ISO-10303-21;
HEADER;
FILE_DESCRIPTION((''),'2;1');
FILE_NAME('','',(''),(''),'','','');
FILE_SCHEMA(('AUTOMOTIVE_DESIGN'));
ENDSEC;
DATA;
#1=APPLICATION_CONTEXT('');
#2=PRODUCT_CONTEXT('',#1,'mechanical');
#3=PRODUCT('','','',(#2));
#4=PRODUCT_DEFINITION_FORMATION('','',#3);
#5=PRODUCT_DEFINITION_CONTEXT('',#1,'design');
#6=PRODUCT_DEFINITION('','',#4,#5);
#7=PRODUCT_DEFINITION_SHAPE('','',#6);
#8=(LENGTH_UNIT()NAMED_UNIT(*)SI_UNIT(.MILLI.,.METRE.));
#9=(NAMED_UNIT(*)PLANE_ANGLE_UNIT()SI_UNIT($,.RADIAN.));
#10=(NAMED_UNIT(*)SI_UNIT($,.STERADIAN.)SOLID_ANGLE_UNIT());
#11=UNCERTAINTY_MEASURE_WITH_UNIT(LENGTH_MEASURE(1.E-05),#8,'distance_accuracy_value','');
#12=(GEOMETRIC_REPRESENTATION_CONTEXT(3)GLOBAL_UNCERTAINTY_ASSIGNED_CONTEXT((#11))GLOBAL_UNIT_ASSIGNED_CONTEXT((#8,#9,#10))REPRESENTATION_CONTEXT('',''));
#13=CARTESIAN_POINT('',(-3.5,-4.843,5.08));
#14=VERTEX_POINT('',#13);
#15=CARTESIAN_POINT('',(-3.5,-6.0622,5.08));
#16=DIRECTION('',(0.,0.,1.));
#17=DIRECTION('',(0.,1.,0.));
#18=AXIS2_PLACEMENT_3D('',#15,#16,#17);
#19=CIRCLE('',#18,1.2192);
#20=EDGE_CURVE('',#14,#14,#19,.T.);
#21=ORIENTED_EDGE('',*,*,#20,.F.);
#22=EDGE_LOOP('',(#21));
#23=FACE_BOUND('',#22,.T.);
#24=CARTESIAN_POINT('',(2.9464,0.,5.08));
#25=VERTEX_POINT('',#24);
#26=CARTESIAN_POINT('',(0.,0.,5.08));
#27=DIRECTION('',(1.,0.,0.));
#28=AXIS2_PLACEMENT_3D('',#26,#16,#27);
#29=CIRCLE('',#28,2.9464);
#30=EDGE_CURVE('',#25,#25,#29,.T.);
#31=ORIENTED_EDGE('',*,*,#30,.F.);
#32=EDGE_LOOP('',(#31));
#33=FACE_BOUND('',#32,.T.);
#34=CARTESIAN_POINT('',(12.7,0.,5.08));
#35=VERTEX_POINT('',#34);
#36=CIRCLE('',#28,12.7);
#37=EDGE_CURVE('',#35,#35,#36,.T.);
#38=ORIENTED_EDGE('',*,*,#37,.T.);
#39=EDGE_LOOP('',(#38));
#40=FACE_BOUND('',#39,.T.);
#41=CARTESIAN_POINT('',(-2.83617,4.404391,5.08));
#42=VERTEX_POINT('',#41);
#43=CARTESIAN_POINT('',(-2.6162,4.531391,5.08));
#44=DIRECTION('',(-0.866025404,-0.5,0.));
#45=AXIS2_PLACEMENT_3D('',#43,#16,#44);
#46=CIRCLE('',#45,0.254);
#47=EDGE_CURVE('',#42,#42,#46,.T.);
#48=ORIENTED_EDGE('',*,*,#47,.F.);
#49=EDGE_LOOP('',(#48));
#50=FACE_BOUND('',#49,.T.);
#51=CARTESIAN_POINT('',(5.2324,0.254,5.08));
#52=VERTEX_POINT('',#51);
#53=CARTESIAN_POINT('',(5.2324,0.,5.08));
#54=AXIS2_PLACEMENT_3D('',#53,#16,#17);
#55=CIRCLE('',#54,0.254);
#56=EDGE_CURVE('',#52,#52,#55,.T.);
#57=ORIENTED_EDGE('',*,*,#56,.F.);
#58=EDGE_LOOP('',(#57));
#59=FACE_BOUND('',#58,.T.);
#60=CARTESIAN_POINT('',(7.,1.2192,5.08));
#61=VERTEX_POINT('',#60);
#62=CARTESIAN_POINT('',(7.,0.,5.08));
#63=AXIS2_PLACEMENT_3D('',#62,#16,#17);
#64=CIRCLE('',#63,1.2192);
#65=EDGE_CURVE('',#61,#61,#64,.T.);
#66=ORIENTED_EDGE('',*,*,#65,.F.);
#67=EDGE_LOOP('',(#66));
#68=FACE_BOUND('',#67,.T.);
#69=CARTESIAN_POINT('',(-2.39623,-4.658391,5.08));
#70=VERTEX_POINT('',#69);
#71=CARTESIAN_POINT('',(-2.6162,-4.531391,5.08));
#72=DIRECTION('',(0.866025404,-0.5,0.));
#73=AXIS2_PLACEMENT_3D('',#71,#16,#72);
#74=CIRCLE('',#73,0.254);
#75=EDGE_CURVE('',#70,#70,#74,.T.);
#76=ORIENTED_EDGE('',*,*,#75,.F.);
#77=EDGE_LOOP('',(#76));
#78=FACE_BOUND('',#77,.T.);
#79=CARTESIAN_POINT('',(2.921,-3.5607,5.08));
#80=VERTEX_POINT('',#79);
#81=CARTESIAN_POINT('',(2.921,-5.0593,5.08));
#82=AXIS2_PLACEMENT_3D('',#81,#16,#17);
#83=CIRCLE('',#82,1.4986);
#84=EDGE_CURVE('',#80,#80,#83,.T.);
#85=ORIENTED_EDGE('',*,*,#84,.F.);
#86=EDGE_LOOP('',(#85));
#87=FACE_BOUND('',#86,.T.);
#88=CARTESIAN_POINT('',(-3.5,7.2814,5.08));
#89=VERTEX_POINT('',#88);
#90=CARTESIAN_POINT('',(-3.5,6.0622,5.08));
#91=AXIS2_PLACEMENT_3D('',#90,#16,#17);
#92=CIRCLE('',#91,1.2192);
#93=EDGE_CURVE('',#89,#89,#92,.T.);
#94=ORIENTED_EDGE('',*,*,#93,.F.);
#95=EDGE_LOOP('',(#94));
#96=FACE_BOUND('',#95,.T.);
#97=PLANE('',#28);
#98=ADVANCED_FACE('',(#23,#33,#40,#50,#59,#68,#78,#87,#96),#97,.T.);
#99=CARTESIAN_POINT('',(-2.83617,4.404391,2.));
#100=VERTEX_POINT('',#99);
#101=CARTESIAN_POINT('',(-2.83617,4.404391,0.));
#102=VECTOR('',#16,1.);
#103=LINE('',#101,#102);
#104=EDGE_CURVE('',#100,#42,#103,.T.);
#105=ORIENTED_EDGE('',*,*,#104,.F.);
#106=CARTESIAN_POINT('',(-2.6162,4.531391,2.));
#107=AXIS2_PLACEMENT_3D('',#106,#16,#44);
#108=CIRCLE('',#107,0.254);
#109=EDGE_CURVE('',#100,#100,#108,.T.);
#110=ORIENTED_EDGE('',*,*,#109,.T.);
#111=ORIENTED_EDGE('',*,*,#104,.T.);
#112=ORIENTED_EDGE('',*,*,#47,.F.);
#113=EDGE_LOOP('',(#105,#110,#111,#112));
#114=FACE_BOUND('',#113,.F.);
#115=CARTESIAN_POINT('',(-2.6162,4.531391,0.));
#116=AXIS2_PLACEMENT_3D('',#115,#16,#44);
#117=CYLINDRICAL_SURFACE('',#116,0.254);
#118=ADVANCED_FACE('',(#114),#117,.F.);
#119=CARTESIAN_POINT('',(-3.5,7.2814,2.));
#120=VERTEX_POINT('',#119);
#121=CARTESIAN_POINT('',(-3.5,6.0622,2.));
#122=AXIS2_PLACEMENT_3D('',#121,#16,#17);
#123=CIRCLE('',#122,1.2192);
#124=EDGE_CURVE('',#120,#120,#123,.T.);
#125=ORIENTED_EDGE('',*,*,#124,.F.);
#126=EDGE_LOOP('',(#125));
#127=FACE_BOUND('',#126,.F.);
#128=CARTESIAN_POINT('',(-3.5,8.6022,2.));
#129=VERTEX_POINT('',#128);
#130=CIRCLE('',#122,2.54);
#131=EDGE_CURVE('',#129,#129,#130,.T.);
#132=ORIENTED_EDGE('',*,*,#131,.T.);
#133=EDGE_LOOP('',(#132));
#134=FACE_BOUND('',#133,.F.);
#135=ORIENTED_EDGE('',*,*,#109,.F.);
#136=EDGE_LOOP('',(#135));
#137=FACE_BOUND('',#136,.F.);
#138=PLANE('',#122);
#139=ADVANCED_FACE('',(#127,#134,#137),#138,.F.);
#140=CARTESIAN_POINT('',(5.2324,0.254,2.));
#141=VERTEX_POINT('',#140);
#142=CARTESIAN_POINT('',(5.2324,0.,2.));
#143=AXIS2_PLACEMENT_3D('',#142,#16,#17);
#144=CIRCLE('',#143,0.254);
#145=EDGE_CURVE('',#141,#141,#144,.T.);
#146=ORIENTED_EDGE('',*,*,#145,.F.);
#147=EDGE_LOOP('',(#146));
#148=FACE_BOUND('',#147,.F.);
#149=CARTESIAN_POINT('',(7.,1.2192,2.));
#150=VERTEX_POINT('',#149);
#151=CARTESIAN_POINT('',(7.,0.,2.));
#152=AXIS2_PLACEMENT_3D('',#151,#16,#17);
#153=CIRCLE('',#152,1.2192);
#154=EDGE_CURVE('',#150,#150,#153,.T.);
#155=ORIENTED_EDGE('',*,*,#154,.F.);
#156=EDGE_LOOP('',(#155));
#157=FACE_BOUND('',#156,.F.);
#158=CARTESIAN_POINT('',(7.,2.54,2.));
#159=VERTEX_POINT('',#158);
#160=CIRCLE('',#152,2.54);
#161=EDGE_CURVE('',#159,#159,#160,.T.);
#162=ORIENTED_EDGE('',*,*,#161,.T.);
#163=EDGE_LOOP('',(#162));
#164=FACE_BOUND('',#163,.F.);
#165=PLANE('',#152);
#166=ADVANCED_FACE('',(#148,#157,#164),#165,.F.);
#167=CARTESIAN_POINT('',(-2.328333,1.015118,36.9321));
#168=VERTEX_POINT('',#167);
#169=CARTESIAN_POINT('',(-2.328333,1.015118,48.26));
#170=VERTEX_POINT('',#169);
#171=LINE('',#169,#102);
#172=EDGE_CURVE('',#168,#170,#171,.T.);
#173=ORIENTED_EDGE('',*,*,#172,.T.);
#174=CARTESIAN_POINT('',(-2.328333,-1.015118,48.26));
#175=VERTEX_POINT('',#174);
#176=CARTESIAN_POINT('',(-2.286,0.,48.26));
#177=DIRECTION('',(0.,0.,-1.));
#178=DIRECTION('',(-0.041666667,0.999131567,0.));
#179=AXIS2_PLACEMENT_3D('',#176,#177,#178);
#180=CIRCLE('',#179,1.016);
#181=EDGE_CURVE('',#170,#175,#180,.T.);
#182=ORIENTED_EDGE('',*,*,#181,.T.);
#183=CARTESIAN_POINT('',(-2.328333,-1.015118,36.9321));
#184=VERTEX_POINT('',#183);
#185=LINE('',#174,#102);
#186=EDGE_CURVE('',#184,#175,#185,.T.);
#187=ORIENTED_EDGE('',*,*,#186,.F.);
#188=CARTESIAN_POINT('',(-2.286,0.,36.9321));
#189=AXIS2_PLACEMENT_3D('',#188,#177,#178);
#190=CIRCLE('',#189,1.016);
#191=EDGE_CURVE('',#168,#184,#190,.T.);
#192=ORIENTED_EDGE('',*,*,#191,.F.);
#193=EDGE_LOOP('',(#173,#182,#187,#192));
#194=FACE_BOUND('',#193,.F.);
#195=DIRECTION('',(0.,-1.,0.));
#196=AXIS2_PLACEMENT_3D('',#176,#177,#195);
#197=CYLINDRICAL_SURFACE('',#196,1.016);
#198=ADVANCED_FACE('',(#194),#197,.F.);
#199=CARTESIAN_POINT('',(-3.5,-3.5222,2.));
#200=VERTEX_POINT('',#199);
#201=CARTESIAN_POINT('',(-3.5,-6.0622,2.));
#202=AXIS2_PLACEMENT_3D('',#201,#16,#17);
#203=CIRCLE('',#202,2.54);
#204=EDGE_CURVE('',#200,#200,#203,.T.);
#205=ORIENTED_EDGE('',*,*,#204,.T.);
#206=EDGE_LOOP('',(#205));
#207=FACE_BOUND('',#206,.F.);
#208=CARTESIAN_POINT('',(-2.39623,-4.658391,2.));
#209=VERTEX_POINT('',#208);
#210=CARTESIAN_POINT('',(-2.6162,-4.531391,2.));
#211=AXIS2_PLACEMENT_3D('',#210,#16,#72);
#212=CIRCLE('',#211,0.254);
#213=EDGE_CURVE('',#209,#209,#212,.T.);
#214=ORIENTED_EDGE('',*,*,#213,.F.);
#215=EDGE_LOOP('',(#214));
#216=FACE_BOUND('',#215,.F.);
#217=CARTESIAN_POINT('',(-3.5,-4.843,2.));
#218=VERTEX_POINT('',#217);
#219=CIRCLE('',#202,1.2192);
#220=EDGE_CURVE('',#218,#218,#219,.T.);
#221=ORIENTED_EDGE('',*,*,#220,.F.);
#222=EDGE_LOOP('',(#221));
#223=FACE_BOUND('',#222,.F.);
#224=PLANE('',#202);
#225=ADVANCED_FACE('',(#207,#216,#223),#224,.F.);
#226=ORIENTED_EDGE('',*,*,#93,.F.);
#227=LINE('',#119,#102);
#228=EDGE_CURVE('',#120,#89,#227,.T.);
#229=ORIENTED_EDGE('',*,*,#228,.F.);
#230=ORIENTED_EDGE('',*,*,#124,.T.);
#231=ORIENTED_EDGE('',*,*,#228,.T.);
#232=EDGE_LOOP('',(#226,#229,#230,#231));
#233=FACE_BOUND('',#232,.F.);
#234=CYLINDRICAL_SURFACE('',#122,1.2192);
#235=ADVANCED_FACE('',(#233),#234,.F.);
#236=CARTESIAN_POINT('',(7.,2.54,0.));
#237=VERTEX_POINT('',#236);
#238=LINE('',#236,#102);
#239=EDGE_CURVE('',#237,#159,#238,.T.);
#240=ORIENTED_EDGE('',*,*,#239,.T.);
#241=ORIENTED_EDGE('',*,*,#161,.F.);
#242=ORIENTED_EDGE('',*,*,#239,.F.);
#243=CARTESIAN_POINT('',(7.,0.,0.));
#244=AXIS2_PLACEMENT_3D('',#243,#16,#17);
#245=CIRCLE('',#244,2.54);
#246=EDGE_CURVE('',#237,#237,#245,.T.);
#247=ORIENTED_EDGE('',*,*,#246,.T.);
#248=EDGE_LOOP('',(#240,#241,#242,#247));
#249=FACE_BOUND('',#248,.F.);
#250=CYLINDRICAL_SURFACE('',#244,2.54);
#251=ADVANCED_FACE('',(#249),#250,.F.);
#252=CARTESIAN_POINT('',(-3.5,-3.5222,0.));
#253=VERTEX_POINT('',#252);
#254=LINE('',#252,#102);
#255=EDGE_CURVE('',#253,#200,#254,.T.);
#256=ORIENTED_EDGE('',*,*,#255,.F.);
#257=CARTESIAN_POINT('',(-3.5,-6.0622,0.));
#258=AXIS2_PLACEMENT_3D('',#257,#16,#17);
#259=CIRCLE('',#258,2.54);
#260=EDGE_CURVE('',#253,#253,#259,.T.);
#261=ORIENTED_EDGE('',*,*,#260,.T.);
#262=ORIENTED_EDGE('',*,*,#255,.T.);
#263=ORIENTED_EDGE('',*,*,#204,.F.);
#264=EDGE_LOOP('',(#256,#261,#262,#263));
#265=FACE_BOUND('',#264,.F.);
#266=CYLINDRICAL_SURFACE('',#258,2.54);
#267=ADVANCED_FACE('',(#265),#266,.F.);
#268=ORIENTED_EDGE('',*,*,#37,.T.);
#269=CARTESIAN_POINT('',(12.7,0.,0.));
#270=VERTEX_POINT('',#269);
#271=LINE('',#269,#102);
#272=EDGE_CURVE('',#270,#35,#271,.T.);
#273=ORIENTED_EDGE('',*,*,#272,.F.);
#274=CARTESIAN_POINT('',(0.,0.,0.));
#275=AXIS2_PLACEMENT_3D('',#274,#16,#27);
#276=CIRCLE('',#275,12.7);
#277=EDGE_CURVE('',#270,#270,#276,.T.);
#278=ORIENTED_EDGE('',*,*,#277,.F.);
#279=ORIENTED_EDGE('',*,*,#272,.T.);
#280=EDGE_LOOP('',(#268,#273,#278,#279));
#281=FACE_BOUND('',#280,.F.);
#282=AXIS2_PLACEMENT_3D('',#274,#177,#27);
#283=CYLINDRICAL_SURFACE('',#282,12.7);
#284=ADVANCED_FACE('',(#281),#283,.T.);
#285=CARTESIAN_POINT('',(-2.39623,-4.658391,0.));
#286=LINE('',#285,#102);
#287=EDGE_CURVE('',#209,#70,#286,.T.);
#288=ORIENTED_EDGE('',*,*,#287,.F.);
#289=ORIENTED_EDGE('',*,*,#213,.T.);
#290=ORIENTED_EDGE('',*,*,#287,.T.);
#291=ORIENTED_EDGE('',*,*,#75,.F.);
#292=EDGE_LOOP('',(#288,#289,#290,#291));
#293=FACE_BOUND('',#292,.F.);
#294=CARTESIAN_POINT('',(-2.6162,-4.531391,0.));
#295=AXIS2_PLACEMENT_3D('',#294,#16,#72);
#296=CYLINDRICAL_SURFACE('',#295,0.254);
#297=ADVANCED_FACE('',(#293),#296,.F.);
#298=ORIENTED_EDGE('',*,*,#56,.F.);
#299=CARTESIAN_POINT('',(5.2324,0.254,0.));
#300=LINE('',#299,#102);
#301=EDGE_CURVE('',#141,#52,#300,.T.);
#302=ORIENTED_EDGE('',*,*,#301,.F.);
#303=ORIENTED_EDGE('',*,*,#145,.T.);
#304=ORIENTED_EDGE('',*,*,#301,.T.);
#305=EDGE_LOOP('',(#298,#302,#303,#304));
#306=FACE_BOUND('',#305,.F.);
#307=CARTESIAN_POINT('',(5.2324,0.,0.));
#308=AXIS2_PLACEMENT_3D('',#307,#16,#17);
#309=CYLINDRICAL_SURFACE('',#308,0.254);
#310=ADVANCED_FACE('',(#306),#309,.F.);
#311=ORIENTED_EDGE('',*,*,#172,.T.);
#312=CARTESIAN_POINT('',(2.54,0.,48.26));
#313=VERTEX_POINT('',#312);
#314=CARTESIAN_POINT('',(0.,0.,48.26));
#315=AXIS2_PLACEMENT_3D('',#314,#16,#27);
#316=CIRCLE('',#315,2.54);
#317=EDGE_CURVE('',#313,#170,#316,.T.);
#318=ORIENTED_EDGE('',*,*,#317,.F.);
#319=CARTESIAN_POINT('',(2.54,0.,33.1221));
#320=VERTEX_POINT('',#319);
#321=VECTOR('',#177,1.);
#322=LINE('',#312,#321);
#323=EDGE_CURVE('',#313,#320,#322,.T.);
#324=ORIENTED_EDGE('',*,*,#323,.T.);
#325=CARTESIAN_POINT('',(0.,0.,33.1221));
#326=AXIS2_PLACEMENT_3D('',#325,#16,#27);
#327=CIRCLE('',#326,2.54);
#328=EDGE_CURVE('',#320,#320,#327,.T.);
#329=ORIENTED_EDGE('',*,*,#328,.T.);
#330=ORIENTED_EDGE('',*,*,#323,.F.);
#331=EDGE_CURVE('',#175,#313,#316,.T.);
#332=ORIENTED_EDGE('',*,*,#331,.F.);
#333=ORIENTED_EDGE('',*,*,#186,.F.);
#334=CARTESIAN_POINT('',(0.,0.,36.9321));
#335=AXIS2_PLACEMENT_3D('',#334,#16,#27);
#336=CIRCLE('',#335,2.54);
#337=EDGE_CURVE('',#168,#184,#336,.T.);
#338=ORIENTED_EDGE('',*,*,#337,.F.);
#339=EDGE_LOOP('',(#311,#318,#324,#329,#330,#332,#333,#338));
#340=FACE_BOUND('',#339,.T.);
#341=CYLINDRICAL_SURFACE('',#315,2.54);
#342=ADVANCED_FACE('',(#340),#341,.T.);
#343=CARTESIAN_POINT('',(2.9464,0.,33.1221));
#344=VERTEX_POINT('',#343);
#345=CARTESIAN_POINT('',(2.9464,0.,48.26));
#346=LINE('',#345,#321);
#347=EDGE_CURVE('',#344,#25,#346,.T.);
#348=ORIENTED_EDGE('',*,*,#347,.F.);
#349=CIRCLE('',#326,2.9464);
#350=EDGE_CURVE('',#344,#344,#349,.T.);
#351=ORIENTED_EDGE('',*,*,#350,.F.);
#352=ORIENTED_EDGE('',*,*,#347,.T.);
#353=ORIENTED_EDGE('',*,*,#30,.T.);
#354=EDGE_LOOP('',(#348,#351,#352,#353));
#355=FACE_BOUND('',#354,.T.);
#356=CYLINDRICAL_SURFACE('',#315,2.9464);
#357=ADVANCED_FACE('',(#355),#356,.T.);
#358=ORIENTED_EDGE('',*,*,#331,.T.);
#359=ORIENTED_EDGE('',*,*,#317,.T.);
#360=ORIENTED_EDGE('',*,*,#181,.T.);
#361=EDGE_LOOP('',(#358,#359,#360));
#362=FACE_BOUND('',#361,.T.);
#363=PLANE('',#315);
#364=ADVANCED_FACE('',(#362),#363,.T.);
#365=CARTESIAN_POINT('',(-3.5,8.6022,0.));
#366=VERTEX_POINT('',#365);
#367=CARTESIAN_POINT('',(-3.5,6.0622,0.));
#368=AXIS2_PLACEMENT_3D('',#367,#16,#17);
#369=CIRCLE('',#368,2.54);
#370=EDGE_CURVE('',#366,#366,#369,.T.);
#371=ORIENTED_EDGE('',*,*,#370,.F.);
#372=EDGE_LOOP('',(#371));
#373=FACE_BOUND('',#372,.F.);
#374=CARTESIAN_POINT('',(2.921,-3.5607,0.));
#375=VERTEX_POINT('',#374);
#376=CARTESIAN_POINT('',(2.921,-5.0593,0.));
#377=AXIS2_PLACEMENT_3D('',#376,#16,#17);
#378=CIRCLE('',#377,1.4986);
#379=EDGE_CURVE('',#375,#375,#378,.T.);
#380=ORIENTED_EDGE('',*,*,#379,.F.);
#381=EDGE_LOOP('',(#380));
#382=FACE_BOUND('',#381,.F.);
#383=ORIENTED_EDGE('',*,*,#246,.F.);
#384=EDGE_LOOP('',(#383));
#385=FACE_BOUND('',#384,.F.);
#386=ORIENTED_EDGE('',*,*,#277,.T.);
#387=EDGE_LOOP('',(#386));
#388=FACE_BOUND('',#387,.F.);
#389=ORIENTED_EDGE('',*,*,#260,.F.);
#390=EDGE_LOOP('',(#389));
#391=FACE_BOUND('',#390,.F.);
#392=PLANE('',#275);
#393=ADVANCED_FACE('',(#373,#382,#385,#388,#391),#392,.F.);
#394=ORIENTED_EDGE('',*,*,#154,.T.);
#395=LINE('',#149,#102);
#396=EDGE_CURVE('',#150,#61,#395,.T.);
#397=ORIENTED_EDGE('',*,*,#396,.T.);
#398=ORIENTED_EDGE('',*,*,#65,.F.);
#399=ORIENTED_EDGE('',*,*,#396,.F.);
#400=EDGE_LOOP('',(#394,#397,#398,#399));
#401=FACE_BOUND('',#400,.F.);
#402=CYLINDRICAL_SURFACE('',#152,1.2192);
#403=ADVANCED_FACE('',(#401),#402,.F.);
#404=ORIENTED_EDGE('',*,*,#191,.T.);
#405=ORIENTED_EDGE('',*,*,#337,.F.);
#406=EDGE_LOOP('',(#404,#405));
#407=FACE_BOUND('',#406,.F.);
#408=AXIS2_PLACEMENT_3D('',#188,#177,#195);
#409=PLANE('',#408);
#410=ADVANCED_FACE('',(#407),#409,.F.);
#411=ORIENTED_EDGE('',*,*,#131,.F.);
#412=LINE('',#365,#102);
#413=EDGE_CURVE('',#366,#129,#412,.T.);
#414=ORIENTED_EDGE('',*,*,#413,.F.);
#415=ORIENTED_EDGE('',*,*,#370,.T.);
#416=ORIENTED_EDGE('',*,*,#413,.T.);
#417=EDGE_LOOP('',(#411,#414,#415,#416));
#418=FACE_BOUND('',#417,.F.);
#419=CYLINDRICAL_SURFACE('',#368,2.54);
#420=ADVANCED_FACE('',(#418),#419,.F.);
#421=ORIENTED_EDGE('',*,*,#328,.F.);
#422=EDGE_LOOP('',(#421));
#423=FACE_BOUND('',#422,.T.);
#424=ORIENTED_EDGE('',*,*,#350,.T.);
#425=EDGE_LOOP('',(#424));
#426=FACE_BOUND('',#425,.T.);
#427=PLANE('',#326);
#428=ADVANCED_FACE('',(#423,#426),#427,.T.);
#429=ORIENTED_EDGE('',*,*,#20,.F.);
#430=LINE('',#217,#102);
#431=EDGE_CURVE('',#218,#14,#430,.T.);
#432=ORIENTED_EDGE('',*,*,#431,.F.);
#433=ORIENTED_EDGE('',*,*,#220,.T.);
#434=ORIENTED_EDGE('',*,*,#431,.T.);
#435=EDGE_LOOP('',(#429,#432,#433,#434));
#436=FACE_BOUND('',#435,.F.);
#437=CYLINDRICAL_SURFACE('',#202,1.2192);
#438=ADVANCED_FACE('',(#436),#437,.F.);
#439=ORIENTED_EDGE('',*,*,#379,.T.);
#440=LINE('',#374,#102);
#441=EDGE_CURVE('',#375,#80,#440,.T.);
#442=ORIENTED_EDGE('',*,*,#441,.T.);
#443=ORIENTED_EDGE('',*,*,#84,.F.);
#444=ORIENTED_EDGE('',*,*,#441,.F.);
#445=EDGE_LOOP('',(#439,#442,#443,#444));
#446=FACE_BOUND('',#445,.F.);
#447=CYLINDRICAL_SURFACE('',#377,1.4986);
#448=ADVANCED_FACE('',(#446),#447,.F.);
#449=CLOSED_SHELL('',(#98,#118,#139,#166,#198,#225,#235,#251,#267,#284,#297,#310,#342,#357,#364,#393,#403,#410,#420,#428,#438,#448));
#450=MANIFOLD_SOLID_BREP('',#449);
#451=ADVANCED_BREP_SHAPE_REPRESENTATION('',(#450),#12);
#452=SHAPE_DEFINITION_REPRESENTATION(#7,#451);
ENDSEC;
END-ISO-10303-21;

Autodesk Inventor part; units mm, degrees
ref_plane "YZ Plane" through (0, 0, 0) normal (1, 0, 0) x (0, 1, 0)
ref_plane "XZ Plane" through (0, 0, 0) normal (0, 1, 0) x (-1, 0, 0)
ref_plane "XY Plane" through (0, 0, 0) normal (0, 0, 1) x (1, 0, 0)
sketch "Sketch1" plane through (0, 0, 0) normal (0, 0, 1) x (1, 0, 0)
  circle A0 centre (0, 0) radius 12.7
  dimension "d0" = 25.4
extrude "Extrusion1" add sketch "Sketch1" along normal blind 48.26
sketch "Sketch2" plane through (0, 0, 48.26) normal (0, 0, 1) x (1, 0, 0)
  circle A0 centre (0, 0) radius 12.7 projected
  circle A1 centre (0, 0) radius 2.9464
  dimension "d3" = 5.8928
extrude "Extrusion2" cut sketch "Sketch2" against normal blind 43.18
sketch "Sketch3" plane through (0, 0, 0) normal (0, 0, -1) x (-1, 0, 0)
  circle A0 centre (-7, 0) radius 0.847
  circle A1 centre (3.5, 6.0622) radius 0.847
  arc A2 (5.3333, -1.3437) -> (5.3333, 1.3437) centre (6, 0) ccw
  circle A3 centre (3.5, -6.0622) radius 0.847
  circle A4 centre (6, 0) radius 1.5
hole "Hole1" at (7, 0, 0) at (-3.5, -6.0622, 0) at (-3.5, 6.0622, 0) direction (0, 0, 1) diameter 2.4384 end through all counterbore diameter 5.08 counterbore depth 2 clearance for "Flat Head Machine Screw (82)" size "#2" standard "Ansi Unified Screw Threads"
sketch "Sketch4" plane through (0, 0, 0) normal (0, 0, -1) x (-1, 0, 0)
  circle A0 centre (0, 0) radius 12.7 projected
  line L0 (0, 0) -> (-2.921, -5.0593)
  line L1 (0, -17.78) -> (0, 17.78) projected
  line L2 (17.78, 0) -> (-17.78, 0) projected
  dimension "d37" = 60
  dimension "d38" = 5.842
hole "Hole2" at (2.921, -5.0593, 0) direction (0, 0, 1) diameter 2.9972 end through all
sketch "Sketch5" plane through (0, 0, 5.08) normal (0, 0, 1) x (1, 0, 0)
  circle A0 centre (-3.5, 6.0622) radius 1.2192 projected
  circle A1 centre (-3.5, -6.0622) radius 1.2192 projected
  circle A2 centre (7, 0) radius 1.2192 projected
  circle A3 centre (0, 0) radius 2.9464 projected
  circle A4 centre (0, 0) radius 12.7 projected
  circle A5 centre (2.921, -5.0593) radius 1.4986 projected
ref_plane "Top Ref" through (0, 0, 37.4401) normal (0, 0, 1) x (1, 0, 0)
ref_plane "Bottom Ref" through (0, 0, 15.08) normal (0, 0, 1) x (1, 0, 0)
ref_plane "Work Plane4" through (0, 0, 33.6301) normal (0, 0, 1) x (1, 0, 0)
ref_plane "Work Plane5" through (0, 0, 33.1221) normal (0, 0, 1) x (1, 0, 0)
ref_plane "Work Plane6" through (0, 0, 36.9321) normal (0, 0, 1) x (1, 0, 0)
sketch "Sketch6" plane through (0, 0, 48.26) normal (0, 0, 1) x (1, 0, 0)
  circle A0 centre (0, 0) radius 2.9464 projected
  circle A1 centre (0, 0) radius 2.54
  dimension "d25" = 5.08
extrude "Extrusion3" cut sketch "Sketch6" against normal up to surface (15.1379 mm away)
sketch "Sketch7" plane through (0, 0, 48.26) normal (0, 0, 1) x (1, 0, 0)
  circle A0 centre (0, 0) radius 2.54 projected
  circle A1 centre (-2.286, 0) radius 1.016
  dimension "d28" = 2.032
  dimension "d29" = 2.286
hole "Hole3" at (-2.286, 0, 48.26) direction (0, 0, -1) diameter 2.032 depth 11.3279
sketch "Sketch8" plane through (0, 0, 0) normal (0, 0, -1) x (-1, 0, 0)
  circle A0 centre (0, 0) radius 12.7 projected
  point P0 (-5.2324, 0)
  dimension "d42" = 5.2324
hole "Hole4" at (5.2324, 0, 0) direction (0, 0, 1) diameter 0.508 end through all
pattern_circular "Circular Pattern1" count 3 over 360 about axis through (0, 0, -10) along (0, 0, 1) of "Hole4"
properties part number "Jig_TopHeightAligner"
